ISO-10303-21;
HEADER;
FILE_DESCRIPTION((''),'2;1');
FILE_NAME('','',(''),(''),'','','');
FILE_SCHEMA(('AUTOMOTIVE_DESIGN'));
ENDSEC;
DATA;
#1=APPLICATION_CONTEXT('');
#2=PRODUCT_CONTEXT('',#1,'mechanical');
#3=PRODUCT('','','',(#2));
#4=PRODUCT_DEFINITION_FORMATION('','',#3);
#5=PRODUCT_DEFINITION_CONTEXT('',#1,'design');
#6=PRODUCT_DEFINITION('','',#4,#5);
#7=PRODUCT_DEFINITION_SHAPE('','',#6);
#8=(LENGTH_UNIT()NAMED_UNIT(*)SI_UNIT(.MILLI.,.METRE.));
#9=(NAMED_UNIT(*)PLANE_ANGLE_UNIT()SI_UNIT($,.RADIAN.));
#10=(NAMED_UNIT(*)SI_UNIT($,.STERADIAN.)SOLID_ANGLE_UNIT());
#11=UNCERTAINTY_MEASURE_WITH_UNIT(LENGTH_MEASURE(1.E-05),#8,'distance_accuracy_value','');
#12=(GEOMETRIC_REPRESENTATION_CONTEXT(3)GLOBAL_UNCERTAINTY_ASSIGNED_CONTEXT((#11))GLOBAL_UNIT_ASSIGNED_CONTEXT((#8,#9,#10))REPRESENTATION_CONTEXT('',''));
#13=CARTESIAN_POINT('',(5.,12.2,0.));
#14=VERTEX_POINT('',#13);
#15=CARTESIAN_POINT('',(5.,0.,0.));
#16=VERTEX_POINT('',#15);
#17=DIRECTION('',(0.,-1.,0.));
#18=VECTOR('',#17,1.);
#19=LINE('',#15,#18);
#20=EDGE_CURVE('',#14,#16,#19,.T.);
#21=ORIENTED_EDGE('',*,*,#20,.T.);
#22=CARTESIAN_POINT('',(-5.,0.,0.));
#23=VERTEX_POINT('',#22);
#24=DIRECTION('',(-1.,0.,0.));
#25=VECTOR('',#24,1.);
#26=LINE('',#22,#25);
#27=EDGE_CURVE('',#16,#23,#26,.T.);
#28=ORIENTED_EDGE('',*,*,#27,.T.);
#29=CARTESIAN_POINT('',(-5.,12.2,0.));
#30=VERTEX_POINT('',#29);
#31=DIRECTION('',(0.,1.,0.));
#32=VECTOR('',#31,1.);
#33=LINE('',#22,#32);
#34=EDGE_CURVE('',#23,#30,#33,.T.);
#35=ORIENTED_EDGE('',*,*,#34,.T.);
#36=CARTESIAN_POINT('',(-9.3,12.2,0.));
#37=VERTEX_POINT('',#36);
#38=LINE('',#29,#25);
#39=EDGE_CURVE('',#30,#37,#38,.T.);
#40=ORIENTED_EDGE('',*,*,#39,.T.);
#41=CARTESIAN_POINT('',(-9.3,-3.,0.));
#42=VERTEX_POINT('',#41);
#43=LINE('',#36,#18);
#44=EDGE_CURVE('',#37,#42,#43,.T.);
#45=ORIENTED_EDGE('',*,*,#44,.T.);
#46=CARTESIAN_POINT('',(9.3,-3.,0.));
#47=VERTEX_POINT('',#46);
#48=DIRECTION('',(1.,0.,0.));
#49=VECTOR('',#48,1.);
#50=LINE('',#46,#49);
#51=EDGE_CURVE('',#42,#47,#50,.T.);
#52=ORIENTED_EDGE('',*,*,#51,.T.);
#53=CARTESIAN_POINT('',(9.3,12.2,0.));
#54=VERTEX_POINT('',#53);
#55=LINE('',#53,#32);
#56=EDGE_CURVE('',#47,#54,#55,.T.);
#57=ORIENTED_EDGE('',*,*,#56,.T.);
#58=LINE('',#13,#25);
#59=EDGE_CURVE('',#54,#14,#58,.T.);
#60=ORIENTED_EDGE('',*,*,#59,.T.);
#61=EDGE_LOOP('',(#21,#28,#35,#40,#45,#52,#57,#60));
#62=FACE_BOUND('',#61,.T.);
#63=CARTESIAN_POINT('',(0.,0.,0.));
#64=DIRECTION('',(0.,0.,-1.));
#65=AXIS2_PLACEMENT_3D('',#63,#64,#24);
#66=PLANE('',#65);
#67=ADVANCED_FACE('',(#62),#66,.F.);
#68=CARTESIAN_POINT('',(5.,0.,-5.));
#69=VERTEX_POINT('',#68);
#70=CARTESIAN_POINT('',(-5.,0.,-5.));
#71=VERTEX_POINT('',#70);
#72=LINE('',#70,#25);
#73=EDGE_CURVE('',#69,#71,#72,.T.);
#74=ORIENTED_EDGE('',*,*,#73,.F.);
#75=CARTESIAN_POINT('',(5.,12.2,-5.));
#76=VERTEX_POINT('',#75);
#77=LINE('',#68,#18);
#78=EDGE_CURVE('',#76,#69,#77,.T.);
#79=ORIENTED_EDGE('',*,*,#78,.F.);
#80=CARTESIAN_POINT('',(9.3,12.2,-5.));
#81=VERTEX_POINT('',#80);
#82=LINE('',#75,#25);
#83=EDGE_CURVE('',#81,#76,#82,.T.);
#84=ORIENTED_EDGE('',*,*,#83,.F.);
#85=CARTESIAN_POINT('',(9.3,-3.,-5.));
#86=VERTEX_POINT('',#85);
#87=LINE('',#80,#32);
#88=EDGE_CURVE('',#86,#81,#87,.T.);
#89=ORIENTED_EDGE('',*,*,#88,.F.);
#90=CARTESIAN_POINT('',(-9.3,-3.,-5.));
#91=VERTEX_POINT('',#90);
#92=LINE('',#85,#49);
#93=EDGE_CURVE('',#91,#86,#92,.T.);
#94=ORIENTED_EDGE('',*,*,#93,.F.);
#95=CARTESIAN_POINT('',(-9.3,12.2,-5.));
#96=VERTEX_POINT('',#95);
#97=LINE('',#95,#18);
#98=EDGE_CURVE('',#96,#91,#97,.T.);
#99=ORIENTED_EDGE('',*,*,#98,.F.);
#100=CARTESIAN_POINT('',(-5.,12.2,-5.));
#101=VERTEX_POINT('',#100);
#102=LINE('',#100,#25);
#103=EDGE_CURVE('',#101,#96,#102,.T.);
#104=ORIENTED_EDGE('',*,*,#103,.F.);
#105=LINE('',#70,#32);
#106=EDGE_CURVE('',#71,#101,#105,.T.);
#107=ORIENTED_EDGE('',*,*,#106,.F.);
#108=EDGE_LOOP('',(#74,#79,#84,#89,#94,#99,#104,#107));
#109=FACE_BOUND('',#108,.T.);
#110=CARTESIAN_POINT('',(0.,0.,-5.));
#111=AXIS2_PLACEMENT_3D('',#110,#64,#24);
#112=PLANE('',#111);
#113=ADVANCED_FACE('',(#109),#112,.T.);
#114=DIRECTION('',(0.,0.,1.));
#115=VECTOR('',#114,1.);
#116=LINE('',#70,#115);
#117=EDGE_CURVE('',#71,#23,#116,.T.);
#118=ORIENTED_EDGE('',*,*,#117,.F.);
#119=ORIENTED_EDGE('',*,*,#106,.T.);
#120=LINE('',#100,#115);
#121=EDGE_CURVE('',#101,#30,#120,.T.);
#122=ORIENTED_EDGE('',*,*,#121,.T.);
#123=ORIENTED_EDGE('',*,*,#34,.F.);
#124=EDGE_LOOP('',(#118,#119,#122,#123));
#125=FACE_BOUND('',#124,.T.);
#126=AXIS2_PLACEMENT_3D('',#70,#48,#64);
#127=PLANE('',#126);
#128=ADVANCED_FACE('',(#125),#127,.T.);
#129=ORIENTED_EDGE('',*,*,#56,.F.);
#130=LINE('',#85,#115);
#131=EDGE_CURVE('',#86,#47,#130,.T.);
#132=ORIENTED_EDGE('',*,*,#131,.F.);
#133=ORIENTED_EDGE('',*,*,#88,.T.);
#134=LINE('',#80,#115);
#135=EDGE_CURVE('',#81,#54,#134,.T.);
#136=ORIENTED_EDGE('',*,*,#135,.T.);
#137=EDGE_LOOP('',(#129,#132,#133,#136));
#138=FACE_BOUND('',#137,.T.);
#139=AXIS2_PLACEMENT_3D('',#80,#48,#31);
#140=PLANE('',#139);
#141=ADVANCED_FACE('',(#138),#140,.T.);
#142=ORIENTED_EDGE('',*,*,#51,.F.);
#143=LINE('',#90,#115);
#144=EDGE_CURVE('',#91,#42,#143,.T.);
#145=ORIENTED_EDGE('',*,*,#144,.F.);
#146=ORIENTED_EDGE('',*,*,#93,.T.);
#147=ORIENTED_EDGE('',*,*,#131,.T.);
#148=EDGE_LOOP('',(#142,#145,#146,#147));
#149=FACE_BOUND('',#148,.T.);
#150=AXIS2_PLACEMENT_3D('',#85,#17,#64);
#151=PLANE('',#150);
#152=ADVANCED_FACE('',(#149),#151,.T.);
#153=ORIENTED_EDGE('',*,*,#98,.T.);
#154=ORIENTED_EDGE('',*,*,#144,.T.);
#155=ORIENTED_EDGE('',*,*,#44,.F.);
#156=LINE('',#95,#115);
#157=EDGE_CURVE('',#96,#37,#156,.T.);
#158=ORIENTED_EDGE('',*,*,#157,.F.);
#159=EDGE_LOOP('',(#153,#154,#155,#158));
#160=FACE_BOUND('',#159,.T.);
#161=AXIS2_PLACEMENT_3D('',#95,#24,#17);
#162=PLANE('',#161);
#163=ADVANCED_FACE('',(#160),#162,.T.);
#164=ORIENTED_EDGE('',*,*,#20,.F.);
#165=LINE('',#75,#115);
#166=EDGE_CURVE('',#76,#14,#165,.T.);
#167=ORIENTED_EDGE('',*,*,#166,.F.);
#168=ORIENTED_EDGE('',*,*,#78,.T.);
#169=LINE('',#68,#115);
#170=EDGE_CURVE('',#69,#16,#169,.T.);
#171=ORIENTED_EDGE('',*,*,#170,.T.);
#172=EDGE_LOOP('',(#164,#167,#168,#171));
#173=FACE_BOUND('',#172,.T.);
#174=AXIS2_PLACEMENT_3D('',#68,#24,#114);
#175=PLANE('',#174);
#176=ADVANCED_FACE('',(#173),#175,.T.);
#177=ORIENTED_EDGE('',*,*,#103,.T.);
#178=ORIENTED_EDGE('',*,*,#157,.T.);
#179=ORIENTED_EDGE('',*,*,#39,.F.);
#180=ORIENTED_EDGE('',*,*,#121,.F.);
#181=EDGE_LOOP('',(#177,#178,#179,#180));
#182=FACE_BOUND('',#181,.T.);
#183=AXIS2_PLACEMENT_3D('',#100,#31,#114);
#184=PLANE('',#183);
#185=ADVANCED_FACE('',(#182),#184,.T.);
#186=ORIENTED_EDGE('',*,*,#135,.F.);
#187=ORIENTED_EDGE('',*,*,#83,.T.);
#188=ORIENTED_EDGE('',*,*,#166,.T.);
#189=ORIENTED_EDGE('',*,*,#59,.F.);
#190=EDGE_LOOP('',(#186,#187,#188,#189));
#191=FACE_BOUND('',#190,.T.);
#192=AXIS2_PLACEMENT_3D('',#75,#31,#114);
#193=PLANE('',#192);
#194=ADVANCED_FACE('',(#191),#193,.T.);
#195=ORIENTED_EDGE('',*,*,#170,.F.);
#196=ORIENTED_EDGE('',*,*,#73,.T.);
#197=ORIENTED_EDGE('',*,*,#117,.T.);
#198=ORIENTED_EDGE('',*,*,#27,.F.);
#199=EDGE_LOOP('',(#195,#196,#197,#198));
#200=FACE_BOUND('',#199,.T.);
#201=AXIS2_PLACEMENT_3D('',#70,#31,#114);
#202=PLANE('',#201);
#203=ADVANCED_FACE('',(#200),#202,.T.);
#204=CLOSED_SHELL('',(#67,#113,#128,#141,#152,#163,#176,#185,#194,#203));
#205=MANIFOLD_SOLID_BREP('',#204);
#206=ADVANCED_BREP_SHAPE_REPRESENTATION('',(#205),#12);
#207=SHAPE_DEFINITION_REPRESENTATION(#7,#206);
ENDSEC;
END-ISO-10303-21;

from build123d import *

# Parameters (mm, degrees)
BOSS_EXTRUDE1_DEPTH = 5


with BuildPart() as part:
    # Sketch1 → Boss-Extrude1 (new body)
    with BuildSketch(Plane.XY):
        Polygon((5, 0), (5, 12.2), (9.3, 12.2), (9.3, -3), (-9.3, -3), (-9.3, 12.2), (-5, 12.2), (-5, 0), align=None)
    extrude(amount=-BOSS_EXTRUDE1_DEPTH)


solid = part.part
